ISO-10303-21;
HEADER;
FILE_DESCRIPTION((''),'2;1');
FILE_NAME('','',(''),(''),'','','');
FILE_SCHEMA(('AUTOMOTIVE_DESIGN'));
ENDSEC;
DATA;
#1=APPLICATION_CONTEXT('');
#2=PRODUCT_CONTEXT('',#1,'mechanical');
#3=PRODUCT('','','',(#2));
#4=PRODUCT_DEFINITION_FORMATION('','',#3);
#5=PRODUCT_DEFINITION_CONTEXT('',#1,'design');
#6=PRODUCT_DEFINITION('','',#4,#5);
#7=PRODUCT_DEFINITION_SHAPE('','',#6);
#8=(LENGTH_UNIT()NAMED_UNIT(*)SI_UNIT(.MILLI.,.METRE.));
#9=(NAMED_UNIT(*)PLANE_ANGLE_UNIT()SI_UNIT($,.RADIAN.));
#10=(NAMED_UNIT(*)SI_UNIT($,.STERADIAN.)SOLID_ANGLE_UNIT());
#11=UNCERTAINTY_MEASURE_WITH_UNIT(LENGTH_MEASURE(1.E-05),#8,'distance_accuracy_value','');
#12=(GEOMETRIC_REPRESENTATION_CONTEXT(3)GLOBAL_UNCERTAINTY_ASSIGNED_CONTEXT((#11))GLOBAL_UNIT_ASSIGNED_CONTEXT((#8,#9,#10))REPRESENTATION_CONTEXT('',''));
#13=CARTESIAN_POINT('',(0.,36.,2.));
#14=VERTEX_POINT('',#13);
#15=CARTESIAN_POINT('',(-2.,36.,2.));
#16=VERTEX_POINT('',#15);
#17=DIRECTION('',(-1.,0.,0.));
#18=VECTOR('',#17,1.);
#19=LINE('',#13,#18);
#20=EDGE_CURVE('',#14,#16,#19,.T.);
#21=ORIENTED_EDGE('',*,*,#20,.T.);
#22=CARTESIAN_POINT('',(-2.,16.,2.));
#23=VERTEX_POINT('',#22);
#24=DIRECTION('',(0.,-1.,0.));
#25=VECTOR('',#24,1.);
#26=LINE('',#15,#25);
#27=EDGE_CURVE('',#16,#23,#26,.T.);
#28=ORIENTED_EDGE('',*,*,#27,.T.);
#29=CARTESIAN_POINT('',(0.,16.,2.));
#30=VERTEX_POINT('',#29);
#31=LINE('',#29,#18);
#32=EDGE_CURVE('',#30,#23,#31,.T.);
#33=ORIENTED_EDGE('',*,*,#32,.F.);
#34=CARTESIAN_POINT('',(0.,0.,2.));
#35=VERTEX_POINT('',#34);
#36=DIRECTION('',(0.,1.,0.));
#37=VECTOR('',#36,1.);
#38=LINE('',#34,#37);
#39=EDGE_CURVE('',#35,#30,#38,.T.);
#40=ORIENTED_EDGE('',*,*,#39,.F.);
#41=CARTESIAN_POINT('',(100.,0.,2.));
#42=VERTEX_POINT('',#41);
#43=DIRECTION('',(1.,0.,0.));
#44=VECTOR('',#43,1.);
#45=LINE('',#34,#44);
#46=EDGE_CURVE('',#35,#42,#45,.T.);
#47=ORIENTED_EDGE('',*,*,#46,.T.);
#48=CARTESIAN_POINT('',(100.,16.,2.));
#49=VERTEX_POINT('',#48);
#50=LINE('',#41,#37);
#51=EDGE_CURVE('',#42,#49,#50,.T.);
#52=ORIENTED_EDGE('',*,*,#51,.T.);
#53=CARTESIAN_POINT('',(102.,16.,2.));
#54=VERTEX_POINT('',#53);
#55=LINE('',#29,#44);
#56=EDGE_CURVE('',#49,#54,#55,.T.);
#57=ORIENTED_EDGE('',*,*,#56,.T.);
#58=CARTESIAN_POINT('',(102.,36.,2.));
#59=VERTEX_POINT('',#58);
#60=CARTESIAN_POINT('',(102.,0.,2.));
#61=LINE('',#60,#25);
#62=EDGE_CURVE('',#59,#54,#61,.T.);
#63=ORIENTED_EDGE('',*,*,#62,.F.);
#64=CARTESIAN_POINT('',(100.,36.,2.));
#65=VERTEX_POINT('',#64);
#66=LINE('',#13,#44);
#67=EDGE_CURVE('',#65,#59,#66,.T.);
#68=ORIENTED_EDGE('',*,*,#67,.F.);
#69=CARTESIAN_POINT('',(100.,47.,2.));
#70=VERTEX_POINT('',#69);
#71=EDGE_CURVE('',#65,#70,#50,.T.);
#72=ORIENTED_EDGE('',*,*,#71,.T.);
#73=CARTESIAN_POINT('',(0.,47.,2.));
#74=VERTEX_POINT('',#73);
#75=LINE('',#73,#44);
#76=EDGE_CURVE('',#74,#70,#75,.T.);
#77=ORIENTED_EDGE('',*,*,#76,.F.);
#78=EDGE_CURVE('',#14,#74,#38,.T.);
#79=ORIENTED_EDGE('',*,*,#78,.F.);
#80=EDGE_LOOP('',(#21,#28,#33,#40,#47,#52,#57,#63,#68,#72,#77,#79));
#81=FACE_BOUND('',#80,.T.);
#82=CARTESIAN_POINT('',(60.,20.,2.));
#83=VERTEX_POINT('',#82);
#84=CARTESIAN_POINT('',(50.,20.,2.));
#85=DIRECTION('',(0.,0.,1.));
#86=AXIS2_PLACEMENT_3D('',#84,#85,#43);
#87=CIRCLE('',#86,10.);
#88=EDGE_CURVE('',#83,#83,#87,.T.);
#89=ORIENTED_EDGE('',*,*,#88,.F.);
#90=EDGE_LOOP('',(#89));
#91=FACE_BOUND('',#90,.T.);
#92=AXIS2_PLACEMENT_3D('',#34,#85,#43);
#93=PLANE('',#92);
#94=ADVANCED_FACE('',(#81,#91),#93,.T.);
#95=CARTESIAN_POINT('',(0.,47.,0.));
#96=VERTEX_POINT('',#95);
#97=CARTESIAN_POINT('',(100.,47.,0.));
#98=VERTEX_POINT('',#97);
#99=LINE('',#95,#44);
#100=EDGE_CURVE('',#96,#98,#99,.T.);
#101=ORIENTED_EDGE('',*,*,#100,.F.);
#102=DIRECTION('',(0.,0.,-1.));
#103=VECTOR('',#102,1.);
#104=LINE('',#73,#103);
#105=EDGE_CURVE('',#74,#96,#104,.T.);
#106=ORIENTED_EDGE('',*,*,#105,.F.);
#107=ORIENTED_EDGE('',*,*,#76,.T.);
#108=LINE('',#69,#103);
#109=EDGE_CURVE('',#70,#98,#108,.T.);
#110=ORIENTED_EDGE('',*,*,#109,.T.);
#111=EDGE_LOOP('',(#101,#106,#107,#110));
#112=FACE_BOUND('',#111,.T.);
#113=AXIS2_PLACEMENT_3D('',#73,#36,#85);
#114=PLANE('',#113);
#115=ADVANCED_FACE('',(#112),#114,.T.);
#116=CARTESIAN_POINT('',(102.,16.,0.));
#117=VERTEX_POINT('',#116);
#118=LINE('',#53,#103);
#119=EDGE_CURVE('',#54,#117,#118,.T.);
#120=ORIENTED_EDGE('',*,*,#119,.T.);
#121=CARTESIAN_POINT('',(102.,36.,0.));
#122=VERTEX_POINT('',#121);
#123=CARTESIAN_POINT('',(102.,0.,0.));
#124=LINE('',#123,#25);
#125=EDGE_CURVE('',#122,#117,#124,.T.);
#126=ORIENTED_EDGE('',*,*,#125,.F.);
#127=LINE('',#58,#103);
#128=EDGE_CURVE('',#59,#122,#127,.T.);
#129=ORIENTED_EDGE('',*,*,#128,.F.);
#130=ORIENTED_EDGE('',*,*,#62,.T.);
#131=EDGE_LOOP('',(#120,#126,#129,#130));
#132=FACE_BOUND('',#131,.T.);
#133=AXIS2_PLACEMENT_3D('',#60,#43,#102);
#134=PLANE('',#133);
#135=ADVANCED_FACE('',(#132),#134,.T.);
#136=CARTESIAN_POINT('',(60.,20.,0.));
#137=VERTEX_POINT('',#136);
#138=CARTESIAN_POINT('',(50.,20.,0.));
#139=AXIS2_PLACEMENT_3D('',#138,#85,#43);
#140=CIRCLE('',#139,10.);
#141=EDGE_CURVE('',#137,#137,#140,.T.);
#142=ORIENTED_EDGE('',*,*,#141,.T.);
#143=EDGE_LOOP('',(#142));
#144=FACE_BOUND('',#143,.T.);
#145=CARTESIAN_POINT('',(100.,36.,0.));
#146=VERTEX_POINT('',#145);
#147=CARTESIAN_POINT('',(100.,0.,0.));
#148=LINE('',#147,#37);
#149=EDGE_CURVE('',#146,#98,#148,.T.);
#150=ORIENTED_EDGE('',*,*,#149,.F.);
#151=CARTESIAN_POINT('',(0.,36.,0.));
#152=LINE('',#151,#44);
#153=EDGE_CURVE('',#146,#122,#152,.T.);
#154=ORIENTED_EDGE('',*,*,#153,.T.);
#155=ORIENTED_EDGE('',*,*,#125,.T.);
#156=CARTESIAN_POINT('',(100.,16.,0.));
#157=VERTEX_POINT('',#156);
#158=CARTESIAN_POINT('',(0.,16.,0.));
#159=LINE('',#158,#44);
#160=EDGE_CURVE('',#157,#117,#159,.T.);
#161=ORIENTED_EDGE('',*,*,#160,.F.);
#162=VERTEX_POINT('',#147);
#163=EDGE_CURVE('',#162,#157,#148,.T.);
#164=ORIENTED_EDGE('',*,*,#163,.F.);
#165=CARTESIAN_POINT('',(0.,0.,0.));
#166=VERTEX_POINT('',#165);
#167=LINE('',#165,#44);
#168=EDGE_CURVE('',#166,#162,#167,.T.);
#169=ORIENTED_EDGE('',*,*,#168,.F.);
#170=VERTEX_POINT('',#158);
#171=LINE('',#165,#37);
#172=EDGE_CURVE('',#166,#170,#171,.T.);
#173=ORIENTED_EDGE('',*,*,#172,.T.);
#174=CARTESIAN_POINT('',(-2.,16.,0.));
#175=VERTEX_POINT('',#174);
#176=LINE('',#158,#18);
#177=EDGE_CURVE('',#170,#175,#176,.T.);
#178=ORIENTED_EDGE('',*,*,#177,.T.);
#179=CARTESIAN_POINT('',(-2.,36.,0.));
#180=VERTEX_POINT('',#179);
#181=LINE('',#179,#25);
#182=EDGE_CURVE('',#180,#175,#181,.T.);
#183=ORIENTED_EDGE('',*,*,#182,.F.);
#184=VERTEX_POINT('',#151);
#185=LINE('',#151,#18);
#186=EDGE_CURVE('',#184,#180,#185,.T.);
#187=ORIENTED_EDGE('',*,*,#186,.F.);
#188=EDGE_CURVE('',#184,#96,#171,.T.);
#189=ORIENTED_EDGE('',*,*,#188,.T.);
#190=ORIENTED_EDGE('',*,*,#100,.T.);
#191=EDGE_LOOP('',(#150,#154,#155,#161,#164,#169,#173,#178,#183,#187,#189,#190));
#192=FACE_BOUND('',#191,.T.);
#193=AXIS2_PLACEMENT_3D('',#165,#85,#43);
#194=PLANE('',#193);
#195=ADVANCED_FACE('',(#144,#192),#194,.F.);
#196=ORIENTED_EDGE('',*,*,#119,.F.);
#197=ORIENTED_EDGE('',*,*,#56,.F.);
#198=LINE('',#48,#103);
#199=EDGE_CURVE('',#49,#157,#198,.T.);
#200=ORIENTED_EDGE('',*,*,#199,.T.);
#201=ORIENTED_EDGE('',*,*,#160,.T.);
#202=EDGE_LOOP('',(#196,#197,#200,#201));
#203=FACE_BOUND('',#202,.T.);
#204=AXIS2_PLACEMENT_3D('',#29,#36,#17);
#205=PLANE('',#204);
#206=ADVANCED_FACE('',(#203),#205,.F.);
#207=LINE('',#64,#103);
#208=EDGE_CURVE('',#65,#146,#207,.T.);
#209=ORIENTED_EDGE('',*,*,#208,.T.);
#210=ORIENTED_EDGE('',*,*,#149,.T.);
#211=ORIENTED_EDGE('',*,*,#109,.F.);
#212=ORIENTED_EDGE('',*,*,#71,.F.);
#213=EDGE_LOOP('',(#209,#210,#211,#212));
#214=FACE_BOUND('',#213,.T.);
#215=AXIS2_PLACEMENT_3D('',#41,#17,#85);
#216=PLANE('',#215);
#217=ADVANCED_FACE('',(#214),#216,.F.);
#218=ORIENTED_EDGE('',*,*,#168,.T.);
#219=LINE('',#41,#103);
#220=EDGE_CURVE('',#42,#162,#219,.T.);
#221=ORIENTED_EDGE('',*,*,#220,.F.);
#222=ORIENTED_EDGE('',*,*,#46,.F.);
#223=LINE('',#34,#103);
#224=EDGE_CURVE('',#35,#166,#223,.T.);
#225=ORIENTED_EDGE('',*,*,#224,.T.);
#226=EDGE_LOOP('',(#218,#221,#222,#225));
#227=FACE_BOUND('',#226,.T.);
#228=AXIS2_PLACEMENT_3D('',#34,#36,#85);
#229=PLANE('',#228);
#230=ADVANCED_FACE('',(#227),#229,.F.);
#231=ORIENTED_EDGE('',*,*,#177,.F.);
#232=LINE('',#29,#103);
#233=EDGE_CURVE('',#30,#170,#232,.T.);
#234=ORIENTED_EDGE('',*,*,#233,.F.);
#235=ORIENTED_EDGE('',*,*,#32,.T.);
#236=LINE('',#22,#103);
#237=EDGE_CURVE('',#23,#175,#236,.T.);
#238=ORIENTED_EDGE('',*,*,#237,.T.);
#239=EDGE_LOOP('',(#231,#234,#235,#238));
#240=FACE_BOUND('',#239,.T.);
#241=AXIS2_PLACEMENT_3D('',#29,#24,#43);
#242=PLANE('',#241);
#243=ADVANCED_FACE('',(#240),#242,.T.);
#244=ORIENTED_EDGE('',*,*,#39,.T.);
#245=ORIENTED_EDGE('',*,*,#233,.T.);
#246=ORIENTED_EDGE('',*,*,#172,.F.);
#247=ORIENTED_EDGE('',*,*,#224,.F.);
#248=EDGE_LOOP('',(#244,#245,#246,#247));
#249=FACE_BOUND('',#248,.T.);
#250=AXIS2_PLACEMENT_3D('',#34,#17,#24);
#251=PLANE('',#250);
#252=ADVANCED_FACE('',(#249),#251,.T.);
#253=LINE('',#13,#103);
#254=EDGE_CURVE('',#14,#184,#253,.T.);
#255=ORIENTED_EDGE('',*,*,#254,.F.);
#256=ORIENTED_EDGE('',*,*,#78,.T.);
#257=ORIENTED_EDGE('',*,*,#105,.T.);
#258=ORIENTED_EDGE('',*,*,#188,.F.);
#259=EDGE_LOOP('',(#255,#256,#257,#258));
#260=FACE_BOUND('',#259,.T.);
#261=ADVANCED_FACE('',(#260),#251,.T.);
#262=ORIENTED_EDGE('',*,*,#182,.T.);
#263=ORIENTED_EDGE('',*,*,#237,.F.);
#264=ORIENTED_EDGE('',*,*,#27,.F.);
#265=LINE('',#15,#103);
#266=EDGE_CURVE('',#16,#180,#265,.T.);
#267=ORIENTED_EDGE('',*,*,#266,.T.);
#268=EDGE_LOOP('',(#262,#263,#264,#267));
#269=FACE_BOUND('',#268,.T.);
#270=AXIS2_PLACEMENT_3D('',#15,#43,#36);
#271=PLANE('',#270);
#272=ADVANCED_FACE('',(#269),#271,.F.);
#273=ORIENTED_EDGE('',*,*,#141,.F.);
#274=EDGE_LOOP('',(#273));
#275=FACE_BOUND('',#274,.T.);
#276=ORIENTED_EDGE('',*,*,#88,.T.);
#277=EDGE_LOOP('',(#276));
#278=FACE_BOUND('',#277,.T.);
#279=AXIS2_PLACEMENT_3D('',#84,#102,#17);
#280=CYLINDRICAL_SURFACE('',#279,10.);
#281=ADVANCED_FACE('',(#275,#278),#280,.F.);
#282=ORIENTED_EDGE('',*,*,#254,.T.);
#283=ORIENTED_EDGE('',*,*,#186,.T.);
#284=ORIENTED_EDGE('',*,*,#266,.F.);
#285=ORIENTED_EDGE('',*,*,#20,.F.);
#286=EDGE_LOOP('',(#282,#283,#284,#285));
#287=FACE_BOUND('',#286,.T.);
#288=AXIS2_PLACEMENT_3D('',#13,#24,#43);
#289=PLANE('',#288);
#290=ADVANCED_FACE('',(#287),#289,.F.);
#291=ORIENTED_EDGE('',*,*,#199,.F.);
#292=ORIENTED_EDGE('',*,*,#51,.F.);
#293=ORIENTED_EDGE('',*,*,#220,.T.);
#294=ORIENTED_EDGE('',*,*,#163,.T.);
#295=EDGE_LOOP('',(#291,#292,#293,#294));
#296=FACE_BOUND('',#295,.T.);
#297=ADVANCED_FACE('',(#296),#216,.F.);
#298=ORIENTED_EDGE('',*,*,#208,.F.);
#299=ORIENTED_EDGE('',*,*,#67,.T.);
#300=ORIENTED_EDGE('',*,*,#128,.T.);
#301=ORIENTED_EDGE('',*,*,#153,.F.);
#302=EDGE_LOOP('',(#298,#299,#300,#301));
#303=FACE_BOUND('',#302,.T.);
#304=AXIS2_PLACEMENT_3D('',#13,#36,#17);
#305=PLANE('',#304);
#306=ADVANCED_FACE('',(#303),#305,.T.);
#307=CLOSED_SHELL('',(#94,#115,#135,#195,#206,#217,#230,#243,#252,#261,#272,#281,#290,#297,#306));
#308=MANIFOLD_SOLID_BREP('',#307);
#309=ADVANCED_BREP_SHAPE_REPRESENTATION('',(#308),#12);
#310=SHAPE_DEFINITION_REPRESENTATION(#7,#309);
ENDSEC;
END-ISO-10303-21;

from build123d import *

# Parameters (mm, degrees)
SKETCH_1_W      = 100
SKETCH_1_H      = 47
SKETCH_1_R      = 10
SKETCH_1_W_2    = 2
SKETCH_1_H_2    = 20
EXTRUDE_1_DEPTH = 2


with BuildPart() as part:
    # Эскиз1 → Бобышка-Вытянуть1 (new body)
    # profile 1 of 3: a face of its own
    with BuildSketch(Plane.XY):
        with Locations((50, 23.5)):
            Rectangle(SKETCH_1_W, SKETCH_1_H)
        with Locations((50, 20)):
            Circle(SKETCH_1_R, mode=Mode.SUBTRACT)
    # profile 2 of 3: a face of its own
    with BuildSketch(Plane.XY):
        with Locations((101, 26)):
            Rectangle(SKETCH_1_W_2, SKETCH_1_H_2)
    # profile 3 of 3: a face of its own
    with BuildSketch(Plane.XY):
        with Locations((-1, 26)):
            Rectangle(SKETCH_1_W_2, SKETCH_1_H_2)
    extrude(amount=EXTRUDE_1_DEPTH)


solid = part.part
